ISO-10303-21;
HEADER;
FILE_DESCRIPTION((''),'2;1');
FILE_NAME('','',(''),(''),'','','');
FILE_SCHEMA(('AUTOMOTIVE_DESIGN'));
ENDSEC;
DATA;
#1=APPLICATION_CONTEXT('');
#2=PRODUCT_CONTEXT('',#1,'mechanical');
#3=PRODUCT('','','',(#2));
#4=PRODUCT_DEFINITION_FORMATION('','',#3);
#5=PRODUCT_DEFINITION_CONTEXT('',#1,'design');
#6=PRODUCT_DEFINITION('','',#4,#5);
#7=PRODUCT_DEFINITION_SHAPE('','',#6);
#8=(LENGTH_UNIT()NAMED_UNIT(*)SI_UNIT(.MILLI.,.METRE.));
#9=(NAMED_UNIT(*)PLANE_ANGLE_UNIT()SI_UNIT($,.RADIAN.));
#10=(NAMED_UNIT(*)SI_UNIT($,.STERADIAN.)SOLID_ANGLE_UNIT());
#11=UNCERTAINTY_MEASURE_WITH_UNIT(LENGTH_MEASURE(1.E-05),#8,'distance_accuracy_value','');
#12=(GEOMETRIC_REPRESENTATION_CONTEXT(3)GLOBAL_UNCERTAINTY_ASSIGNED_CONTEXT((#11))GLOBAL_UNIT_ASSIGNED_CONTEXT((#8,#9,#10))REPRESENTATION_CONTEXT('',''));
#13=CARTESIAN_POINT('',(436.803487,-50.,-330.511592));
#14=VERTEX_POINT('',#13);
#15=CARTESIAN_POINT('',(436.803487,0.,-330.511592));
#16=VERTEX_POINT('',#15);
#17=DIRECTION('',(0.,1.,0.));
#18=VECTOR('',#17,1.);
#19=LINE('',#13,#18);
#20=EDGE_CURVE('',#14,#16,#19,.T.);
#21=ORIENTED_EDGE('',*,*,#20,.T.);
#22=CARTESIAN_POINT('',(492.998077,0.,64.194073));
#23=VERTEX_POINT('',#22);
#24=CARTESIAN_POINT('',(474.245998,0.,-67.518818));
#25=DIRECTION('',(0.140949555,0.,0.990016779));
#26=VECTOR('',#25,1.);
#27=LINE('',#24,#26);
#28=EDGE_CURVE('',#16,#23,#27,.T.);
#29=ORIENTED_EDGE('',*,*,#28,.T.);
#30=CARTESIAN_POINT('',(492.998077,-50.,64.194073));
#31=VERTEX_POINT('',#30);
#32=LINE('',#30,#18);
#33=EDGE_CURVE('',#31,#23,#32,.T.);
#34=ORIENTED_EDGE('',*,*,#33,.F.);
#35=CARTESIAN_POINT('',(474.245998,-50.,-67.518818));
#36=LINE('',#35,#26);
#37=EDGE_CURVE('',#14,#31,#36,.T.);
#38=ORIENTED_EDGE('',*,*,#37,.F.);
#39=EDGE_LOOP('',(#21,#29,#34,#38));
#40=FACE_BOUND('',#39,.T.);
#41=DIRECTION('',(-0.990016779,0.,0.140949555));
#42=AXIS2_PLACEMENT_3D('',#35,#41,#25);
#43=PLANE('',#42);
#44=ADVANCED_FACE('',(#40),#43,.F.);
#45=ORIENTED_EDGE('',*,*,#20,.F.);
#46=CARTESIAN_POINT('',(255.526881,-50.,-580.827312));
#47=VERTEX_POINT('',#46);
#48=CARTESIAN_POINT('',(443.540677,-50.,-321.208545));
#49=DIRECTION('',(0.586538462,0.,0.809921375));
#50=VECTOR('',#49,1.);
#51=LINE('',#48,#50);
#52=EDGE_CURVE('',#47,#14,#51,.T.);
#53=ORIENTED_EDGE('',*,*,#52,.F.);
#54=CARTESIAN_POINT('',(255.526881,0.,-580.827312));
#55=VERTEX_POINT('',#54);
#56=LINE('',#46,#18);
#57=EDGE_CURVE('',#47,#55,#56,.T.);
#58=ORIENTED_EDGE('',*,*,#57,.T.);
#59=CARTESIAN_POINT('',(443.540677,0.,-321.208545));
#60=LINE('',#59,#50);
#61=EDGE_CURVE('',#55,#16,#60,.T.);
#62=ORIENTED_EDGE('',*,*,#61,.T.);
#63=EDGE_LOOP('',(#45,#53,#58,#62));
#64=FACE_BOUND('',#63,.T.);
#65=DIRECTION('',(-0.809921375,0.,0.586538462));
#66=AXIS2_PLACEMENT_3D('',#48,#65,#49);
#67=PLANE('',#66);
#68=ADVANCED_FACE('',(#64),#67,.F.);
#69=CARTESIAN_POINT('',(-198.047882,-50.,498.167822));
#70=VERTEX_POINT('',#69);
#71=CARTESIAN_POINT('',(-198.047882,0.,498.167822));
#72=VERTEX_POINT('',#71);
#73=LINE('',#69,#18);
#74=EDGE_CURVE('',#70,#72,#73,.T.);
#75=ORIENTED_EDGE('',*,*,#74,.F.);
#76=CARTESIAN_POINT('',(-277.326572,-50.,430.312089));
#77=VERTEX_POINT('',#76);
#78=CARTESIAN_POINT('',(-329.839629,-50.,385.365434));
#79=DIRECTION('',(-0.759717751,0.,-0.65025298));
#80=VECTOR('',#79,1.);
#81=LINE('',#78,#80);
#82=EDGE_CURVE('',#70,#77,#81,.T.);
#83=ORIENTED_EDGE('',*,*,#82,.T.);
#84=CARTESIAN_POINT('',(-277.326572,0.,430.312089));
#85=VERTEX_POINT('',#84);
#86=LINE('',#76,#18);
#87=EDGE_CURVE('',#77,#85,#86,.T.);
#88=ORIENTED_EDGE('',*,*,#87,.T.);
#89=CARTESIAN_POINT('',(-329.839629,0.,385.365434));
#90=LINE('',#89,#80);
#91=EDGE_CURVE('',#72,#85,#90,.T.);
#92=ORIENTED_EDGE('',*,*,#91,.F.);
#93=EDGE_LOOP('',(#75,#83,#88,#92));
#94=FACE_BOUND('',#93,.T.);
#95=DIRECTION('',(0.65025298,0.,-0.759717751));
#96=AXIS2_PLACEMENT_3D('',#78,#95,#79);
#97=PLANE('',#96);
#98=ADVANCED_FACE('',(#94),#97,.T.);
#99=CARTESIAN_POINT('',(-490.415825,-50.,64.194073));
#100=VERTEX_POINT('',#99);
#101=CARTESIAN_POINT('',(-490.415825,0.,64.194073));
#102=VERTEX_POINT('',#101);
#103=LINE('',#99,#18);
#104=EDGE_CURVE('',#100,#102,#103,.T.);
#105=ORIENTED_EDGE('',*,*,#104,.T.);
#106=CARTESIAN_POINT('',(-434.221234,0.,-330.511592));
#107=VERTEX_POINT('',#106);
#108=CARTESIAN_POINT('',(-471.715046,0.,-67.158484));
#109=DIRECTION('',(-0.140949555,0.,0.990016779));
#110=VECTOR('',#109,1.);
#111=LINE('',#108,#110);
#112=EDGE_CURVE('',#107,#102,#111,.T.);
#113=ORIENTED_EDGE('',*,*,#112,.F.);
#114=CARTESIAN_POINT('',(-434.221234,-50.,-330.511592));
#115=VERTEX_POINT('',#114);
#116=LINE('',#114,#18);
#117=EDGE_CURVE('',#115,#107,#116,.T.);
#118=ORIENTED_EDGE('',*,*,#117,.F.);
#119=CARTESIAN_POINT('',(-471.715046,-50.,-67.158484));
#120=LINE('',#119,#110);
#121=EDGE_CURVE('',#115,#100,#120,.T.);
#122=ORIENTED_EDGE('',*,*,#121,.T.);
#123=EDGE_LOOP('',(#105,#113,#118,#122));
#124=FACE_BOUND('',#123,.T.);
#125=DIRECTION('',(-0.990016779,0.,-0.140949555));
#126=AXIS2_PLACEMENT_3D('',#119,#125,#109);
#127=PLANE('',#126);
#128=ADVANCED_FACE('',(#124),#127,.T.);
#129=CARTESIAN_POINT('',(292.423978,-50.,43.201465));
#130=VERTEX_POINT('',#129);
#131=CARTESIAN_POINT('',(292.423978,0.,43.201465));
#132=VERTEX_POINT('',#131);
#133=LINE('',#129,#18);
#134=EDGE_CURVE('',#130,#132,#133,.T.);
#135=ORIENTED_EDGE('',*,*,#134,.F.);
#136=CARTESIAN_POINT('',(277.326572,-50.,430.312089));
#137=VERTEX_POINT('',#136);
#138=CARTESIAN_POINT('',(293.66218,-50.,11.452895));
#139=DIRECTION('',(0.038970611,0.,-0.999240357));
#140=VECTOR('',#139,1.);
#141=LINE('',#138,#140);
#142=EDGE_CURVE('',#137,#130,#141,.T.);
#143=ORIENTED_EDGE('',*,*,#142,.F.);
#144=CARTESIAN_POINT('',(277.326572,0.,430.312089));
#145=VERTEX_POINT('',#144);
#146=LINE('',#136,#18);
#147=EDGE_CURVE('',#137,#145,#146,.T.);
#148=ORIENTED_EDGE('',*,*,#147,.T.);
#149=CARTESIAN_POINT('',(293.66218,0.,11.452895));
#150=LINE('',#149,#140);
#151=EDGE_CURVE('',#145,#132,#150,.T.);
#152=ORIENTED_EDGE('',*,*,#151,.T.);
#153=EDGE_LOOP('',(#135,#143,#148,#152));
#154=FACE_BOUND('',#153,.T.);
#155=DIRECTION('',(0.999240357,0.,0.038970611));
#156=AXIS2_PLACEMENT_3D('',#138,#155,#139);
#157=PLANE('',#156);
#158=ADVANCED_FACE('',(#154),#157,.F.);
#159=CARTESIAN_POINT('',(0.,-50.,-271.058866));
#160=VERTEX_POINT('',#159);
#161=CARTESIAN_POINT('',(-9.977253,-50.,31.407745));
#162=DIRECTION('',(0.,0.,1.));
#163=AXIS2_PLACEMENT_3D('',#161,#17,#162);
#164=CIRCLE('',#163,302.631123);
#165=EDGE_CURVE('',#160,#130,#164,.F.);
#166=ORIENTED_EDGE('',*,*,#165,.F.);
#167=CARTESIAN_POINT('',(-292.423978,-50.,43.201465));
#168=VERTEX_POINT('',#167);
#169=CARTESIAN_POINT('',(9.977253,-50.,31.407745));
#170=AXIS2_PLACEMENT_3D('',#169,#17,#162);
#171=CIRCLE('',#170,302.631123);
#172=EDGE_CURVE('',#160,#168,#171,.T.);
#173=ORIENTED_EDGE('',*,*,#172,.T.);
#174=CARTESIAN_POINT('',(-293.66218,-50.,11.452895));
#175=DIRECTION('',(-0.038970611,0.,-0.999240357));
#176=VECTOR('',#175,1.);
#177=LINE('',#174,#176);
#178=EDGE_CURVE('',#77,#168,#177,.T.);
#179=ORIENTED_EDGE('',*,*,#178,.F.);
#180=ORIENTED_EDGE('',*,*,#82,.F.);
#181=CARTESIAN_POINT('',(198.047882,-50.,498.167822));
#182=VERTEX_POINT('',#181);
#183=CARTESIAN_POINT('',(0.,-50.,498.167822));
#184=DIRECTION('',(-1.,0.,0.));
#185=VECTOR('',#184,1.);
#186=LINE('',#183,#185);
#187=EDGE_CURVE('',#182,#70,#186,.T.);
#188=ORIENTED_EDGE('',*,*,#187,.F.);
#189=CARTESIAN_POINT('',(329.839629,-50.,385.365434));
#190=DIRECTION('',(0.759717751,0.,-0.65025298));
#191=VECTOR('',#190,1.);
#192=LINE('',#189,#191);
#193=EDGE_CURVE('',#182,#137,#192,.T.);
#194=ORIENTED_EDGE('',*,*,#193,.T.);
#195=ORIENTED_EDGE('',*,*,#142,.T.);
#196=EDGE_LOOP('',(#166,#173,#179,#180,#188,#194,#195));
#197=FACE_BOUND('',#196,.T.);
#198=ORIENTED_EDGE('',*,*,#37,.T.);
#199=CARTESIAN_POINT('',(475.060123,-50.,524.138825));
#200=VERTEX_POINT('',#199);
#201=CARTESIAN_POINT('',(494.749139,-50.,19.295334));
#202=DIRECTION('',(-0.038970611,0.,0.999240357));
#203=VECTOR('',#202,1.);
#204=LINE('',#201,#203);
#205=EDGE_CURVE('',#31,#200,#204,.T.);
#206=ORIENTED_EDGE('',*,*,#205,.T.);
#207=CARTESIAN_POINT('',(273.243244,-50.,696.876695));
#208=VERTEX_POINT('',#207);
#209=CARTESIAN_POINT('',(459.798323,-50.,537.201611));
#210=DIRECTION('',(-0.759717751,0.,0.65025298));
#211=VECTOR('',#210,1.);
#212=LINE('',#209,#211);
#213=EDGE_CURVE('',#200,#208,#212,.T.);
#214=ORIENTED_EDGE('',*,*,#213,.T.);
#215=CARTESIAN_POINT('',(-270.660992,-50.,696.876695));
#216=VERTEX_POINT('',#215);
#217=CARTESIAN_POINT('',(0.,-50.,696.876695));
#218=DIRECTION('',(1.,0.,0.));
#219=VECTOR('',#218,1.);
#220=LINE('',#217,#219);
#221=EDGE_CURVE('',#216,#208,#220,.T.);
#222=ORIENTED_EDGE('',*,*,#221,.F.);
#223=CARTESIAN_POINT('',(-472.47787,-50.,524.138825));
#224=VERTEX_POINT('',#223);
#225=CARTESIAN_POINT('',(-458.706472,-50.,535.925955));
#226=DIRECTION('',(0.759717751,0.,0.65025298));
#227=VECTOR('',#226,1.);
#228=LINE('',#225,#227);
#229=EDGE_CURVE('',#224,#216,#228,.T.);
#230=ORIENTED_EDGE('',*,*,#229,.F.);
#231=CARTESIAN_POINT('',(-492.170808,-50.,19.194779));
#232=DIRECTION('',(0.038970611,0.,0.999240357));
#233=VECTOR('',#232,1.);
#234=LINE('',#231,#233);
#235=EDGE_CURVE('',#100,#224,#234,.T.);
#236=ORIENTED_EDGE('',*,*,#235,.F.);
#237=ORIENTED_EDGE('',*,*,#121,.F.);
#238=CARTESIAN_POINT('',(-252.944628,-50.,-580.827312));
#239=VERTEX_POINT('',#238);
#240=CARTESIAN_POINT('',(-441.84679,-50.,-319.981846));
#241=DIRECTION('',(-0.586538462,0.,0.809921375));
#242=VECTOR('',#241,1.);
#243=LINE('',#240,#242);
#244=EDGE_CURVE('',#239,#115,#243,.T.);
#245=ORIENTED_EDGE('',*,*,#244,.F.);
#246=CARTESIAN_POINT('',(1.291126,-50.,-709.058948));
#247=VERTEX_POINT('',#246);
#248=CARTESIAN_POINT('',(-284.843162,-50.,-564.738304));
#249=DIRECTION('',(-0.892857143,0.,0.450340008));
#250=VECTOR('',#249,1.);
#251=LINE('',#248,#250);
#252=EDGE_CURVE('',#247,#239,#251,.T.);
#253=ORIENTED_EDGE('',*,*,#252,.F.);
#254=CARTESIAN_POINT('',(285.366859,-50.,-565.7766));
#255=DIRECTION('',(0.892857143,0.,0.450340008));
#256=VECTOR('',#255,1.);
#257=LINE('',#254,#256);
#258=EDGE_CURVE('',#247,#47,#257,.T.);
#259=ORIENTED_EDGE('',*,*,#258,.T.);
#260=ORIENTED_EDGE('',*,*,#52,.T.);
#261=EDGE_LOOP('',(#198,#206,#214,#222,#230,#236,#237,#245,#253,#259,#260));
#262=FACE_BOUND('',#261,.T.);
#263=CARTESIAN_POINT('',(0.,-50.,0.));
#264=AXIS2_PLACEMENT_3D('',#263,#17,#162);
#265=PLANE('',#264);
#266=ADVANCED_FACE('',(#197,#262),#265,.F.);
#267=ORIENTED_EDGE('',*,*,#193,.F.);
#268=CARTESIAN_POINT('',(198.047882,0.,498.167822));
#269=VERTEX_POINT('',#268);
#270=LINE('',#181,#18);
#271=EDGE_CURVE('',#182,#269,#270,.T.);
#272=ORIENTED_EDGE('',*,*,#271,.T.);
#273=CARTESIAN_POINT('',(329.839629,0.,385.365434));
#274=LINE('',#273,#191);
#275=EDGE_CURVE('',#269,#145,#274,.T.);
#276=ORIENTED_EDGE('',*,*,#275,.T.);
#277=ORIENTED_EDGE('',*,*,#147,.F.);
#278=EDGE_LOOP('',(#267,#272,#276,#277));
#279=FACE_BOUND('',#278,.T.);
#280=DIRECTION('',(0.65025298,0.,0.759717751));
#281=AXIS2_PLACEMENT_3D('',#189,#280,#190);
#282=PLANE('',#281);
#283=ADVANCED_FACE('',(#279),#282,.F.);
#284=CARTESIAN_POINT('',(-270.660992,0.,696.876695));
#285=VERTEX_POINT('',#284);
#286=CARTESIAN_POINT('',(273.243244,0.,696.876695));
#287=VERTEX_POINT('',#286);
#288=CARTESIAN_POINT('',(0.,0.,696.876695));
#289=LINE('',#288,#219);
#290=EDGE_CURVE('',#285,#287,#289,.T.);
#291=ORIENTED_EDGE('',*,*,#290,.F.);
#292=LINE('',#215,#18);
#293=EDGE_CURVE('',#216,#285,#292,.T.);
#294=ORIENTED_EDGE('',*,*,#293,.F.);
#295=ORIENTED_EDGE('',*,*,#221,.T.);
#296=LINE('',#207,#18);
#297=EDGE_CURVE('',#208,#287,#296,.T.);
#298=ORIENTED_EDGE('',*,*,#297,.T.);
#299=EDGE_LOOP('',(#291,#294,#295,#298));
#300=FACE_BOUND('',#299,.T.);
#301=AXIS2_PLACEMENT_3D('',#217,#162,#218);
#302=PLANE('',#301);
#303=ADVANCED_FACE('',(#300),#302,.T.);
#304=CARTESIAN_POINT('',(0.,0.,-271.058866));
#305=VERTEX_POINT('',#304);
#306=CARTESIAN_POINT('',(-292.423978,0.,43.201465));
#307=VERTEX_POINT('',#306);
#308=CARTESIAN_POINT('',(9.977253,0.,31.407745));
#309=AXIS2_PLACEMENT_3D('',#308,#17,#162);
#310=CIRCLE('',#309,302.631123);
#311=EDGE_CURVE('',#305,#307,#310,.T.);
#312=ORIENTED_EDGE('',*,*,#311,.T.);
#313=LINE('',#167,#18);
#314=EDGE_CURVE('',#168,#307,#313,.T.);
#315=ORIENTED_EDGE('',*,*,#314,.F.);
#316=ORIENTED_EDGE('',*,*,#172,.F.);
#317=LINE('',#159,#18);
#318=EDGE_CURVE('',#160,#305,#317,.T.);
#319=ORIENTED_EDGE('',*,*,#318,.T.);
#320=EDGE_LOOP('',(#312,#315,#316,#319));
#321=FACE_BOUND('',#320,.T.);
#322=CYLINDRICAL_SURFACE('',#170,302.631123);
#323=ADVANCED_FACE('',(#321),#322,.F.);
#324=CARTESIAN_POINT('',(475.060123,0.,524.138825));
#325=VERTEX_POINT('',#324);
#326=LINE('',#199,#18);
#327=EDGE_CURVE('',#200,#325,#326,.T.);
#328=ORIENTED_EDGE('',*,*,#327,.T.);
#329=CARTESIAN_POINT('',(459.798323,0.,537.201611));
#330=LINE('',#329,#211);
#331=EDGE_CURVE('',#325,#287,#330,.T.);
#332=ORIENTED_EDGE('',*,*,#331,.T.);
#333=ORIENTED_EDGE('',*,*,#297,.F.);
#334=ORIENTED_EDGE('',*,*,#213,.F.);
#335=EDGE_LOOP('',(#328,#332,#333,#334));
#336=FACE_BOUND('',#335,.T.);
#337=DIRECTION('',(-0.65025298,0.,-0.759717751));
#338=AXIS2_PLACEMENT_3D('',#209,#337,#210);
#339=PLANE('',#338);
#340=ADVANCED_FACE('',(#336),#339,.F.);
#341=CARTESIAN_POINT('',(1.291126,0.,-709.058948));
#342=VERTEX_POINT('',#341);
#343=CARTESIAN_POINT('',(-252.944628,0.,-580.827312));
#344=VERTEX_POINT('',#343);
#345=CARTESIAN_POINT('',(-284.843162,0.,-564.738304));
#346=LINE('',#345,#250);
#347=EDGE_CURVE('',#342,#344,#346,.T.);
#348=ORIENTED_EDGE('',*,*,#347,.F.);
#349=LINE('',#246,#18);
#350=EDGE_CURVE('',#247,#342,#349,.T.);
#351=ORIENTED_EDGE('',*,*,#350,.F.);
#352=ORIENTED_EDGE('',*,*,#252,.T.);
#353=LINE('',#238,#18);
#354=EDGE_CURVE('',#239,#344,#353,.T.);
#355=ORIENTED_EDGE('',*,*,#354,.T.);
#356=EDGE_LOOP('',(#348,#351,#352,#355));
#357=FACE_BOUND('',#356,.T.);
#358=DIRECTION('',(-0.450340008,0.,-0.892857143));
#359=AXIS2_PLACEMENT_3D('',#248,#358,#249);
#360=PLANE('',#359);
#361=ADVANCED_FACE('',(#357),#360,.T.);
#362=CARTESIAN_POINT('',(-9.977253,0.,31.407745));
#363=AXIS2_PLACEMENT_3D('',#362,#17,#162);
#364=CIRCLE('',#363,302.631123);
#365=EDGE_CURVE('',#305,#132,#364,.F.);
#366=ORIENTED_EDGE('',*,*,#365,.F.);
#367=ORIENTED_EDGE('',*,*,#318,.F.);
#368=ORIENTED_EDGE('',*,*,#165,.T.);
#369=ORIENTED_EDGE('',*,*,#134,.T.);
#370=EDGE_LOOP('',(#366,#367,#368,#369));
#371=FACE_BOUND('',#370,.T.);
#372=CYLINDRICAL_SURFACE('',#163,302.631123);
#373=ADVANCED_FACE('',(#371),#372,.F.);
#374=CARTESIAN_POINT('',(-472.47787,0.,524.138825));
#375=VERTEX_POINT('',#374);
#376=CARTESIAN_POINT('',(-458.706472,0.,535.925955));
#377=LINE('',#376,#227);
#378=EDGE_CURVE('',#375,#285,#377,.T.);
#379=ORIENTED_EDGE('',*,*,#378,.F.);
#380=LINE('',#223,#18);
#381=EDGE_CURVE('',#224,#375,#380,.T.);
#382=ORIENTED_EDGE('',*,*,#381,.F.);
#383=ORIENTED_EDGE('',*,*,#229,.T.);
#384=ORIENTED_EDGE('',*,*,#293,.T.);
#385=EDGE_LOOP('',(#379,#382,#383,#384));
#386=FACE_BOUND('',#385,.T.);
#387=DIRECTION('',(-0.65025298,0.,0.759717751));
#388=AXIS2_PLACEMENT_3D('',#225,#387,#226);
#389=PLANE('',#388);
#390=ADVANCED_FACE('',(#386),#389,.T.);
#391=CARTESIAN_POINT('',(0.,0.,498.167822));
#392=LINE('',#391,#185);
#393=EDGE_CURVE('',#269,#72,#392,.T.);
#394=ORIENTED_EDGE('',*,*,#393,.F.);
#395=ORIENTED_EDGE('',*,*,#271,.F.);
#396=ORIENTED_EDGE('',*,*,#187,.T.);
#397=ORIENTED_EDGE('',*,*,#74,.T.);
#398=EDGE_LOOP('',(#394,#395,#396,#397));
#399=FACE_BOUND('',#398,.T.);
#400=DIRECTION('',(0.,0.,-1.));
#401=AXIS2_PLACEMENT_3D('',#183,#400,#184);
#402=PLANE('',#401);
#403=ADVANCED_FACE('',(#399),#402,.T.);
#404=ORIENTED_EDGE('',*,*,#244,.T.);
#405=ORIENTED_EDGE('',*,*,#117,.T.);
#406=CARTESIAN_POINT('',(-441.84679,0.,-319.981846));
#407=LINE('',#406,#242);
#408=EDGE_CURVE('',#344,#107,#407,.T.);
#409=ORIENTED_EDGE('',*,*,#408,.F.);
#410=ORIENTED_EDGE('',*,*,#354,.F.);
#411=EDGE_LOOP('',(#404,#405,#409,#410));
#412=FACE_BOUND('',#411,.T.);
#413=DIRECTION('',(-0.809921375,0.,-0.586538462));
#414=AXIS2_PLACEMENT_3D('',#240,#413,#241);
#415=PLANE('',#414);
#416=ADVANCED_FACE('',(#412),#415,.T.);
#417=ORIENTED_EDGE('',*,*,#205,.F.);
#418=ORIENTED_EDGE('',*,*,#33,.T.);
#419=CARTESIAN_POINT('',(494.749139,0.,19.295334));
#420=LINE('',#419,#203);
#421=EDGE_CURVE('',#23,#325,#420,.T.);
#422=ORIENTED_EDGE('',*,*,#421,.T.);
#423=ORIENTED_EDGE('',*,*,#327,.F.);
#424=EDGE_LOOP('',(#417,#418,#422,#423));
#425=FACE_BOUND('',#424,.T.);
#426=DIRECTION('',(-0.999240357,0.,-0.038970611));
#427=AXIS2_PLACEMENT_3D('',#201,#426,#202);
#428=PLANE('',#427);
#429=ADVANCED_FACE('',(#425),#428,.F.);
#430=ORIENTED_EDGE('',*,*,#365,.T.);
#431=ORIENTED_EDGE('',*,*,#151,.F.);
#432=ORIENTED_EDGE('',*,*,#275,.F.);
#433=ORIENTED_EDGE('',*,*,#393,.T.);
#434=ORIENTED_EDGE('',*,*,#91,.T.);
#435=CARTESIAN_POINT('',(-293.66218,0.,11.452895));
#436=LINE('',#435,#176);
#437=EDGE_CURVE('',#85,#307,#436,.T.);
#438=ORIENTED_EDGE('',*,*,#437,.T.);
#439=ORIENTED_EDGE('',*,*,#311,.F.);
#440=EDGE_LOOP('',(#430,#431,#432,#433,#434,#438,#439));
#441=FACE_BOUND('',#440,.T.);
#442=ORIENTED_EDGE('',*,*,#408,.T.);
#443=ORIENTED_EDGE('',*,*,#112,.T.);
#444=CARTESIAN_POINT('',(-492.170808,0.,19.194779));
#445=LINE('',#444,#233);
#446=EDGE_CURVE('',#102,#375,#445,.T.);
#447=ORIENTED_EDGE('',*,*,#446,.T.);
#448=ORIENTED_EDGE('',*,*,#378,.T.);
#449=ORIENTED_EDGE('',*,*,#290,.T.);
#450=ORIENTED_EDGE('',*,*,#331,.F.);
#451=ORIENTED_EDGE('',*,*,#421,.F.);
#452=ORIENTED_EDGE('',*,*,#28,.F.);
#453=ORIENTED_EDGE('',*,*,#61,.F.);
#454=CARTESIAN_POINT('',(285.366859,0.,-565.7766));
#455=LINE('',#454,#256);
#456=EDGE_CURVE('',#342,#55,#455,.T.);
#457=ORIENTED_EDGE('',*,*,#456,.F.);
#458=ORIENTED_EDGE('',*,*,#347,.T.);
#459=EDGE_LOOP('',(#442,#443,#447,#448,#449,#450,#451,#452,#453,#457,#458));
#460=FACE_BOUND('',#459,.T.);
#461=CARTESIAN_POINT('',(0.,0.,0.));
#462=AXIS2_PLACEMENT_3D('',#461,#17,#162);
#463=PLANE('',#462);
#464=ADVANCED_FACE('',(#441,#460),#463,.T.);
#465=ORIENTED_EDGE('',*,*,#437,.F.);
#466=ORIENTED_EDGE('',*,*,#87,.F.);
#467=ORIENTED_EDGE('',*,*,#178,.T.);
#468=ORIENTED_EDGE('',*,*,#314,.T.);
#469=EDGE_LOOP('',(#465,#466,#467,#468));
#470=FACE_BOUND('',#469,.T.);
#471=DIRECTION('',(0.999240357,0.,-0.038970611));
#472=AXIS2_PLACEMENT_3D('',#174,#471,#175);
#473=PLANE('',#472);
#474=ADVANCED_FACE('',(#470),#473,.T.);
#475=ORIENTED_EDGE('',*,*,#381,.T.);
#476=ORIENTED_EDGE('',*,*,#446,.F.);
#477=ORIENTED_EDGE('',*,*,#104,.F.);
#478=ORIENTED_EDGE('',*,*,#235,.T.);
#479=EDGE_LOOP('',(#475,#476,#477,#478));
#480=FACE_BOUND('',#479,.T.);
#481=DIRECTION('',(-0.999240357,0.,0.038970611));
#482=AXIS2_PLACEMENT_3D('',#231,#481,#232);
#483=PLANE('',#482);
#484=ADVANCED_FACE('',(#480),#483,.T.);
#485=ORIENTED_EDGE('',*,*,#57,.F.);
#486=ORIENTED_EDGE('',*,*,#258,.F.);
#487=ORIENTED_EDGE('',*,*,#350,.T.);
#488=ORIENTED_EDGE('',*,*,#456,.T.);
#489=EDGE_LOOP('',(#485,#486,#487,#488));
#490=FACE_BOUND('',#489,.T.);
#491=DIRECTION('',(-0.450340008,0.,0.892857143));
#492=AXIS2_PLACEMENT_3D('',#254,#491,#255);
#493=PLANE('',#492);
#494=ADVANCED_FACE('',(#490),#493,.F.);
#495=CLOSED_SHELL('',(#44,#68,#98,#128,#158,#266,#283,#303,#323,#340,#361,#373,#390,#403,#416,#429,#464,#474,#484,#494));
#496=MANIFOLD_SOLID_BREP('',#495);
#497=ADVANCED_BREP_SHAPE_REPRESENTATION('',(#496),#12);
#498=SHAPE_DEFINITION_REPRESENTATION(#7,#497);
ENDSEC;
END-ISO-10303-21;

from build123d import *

# Parameters (mm, degrees)
BOSS_EXTRUDE1_DEPTH = 50


with BuildPart() as part:
    # Sketch1 → Boss-Extrude1 (new body)
    with BuildSketch(Plane(origin=(0, 0, 0), x_dir=(1, 0, 0), z_dir=(0, 1, 0))):
        Polygon((-490.415824699, -64.194072769), (-472.477870031, -524.138824529), (-270.660991621, -696.876695154), (273.24324441, -696.876695154), (475.06012282, -524.138824529), (492.998077488, -64.194072769), (436.803486749, 330.511591748), (255.52688097, 580.827312496), (1.291126394, 709.058947943), (-252.944628181, 580.827312496), (-434.22123396, 330.511591748), align=None)
        with BuildLine():
            Line((198.047881985, -498.167821548), (-198.047881985, -498.167821548))
            Line((-198.047881985, -498.167821548), (-277.326571574, -430.312089493))
            Line((-277.326571574, -430.312089493), (-292.42397797, -43.20146483))
            ThreePointArc((-292.42397797, -43.20146483), (-211.574023689, 174.749059805), (0, 271.058866137))
            ThreePointArc((0, 271.058866137), (211.574023689, 174.749059805), (292.42397797, -43.20146483))
            Line((292.42397797, -43.20146483), (277.326571574, -430.312089493))
            Line((277.326571574, -430.312089493), (198.047881985, -498.167821548))
        make_face(mode=Mode.SUBTRACT)
    extrude(amount=-BOSS_EXTRUDE1_DEPTH)


solid = part.part
